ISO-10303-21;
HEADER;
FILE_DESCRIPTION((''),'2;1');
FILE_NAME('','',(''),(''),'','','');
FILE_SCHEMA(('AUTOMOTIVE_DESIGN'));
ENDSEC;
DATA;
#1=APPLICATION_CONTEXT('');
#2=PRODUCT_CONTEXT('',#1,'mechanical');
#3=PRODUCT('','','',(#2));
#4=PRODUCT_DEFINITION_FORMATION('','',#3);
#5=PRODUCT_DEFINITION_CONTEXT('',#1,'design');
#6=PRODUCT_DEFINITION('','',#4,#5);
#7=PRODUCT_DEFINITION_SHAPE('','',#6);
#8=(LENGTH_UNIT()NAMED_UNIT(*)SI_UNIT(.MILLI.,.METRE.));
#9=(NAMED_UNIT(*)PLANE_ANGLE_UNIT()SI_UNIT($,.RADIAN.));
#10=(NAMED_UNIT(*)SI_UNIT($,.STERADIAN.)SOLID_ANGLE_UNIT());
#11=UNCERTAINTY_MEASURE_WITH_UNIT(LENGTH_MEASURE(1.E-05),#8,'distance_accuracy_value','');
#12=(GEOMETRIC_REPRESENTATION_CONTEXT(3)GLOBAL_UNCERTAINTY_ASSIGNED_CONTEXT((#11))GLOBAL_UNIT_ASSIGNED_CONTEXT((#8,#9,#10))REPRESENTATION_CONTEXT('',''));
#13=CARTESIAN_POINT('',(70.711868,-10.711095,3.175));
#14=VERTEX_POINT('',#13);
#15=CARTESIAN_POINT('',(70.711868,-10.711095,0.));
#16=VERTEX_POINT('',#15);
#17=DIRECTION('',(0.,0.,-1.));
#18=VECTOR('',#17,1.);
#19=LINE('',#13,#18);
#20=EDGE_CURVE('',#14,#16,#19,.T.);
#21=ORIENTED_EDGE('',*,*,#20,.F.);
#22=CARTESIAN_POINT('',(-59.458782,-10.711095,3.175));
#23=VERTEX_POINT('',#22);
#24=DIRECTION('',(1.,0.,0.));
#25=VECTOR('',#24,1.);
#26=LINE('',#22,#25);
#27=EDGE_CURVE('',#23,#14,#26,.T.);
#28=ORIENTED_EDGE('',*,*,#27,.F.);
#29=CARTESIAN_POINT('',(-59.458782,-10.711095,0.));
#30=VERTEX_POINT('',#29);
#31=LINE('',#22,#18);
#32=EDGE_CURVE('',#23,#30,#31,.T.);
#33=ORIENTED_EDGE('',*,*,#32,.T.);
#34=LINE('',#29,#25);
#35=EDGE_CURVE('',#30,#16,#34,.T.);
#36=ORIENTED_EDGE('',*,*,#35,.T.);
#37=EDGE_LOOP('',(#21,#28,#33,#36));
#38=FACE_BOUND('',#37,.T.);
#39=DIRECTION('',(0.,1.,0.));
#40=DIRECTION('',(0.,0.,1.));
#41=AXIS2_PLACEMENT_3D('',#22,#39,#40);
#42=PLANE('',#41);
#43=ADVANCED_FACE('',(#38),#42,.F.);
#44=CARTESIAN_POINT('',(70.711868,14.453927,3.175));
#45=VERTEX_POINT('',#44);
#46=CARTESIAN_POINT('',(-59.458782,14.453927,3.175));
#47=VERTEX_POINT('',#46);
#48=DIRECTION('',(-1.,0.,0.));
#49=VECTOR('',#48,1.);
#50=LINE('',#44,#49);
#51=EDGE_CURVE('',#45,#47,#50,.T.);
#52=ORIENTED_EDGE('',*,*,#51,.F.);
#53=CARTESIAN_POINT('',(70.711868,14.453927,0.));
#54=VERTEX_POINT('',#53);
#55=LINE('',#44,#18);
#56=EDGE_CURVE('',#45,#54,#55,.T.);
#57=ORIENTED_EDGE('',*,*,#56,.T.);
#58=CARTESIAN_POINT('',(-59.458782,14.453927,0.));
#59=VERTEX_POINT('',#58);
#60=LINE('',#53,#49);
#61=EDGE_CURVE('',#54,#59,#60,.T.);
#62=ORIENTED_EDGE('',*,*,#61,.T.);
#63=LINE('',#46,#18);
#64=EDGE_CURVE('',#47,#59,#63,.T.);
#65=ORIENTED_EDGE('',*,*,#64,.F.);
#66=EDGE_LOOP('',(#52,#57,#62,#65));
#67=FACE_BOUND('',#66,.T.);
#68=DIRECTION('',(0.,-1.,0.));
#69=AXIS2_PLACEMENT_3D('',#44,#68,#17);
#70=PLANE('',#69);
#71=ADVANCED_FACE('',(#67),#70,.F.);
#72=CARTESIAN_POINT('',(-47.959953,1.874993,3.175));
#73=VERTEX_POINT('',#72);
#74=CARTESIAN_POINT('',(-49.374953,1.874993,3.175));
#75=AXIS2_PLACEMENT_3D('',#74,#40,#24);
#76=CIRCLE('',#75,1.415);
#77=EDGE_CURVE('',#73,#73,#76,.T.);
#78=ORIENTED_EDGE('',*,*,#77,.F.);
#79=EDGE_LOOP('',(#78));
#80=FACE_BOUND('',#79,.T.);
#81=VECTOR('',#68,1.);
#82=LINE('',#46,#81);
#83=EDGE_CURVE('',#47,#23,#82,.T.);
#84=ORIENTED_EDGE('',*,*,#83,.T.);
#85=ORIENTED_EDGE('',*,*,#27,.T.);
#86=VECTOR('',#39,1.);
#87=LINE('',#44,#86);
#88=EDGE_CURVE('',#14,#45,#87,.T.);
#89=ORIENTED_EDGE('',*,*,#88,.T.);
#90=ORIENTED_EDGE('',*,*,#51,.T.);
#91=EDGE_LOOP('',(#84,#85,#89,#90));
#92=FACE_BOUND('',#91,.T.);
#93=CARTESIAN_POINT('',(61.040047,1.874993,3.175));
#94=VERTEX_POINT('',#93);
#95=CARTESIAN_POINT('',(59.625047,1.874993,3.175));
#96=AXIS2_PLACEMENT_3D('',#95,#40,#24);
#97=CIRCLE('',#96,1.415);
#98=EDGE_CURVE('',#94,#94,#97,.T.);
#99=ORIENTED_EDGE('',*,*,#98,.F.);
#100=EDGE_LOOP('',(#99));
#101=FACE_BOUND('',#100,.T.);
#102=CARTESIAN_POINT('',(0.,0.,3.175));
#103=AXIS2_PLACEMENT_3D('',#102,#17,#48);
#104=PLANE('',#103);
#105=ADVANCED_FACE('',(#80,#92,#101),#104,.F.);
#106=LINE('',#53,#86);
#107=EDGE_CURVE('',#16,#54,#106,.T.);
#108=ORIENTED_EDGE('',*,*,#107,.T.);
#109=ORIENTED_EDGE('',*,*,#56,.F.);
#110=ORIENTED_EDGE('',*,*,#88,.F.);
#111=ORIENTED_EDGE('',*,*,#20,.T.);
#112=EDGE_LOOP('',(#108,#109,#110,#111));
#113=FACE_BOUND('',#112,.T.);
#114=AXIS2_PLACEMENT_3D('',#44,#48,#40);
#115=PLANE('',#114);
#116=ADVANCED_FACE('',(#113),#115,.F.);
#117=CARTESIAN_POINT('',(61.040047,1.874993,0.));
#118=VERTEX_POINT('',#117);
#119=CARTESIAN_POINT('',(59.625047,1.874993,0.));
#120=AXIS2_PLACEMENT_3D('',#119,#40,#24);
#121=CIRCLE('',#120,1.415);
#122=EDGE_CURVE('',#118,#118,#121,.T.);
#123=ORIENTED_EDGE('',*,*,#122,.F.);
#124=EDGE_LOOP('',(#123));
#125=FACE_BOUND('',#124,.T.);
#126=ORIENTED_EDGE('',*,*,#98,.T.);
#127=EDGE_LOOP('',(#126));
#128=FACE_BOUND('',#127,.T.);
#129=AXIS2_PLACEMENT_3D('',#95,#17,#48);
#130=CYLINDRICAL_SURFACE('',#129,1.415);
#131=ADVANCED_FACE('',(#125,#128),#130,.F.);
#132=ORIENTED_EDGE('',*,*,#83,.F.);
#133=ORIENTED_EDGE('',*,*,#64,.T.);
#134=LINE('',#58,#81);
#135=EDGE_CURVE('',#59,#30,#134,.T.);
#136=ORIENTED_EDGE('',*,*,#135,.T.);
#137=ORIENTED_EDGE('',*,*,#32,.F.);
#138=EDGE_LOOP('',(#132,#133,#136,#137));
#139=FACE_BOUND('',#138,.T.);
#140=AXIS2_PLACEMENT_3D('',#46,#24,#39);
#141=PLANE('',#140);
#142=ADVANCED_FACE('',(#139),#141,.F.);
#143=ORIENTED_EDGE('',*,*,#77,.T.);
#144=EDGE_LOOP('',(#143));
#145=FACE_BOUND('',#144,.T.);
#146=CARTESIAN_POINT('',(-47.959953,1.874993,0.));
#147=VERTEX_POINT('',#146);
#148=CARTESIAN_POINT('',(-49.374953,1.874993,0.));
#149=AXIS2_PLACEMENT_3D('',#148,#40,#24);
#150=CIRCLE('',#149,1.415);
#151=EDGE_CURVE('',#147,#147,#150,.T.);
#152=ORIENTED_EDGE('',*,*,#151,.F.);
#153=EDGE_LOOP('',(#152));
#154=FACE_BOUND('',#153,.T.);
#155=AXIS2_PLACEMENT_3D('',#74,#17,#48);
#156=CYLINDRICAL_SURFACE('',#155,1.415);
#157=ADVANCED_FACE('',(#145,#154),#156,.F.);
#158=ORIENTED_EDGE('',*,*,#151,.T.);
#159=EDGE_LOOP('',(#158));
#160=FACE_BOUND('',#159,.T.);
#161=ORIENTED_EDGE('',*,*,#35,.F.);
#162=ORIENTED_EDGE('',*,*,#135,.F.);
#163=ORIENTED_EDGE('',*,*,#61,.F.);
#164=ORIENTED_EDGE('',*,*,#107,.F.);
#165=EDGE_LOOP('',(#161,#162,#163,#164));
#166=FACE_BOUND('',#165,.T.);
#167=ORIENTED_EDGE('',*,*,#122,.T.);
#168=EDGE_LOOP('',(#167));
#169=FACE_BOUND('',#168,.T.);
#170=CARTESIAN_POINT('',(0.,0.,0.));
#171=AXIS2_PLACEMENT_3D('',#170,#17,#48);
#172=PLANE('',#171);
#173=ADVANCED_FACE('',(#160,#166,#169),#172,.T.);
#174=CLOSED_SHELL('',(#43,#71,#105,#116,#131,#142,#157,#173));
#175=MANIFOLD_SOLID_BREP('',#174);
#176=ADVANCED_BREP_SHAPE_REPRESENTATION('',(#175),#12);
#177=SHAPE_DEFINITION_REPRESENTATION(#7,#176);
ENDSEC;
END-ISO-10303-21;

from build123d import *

# Parameters (mm, degrees)
SKETCH1_W           = 130.17064968
SKETCH1_H           = 25.16502177
SKETCH1_R           = 1.415
BOSS_EXTRUDE1_DEPTH = 3.175


with BuildPart() as part:
    # Sketch1 → Boss-Extrude1 (new body)
    with BuildSketch(Plane.XY):
        with Locations((5.626542839, 1.871415634)):
            Rectangle(SKETCH1_W, SKETCH1_H)
        with Locations((-49.374953397, 1.874992989)):
            Circle(SKETCH1_R, mode=Mode.SUBTRACT)
        with Locations((59.625046603, 1.874992989)):
            Circle(SKETCH1_R, mode=Mode.SUBTRACT)
    extrude(amount=BOSS_EXTRUDE1_DEPTH)


solid = part.part
